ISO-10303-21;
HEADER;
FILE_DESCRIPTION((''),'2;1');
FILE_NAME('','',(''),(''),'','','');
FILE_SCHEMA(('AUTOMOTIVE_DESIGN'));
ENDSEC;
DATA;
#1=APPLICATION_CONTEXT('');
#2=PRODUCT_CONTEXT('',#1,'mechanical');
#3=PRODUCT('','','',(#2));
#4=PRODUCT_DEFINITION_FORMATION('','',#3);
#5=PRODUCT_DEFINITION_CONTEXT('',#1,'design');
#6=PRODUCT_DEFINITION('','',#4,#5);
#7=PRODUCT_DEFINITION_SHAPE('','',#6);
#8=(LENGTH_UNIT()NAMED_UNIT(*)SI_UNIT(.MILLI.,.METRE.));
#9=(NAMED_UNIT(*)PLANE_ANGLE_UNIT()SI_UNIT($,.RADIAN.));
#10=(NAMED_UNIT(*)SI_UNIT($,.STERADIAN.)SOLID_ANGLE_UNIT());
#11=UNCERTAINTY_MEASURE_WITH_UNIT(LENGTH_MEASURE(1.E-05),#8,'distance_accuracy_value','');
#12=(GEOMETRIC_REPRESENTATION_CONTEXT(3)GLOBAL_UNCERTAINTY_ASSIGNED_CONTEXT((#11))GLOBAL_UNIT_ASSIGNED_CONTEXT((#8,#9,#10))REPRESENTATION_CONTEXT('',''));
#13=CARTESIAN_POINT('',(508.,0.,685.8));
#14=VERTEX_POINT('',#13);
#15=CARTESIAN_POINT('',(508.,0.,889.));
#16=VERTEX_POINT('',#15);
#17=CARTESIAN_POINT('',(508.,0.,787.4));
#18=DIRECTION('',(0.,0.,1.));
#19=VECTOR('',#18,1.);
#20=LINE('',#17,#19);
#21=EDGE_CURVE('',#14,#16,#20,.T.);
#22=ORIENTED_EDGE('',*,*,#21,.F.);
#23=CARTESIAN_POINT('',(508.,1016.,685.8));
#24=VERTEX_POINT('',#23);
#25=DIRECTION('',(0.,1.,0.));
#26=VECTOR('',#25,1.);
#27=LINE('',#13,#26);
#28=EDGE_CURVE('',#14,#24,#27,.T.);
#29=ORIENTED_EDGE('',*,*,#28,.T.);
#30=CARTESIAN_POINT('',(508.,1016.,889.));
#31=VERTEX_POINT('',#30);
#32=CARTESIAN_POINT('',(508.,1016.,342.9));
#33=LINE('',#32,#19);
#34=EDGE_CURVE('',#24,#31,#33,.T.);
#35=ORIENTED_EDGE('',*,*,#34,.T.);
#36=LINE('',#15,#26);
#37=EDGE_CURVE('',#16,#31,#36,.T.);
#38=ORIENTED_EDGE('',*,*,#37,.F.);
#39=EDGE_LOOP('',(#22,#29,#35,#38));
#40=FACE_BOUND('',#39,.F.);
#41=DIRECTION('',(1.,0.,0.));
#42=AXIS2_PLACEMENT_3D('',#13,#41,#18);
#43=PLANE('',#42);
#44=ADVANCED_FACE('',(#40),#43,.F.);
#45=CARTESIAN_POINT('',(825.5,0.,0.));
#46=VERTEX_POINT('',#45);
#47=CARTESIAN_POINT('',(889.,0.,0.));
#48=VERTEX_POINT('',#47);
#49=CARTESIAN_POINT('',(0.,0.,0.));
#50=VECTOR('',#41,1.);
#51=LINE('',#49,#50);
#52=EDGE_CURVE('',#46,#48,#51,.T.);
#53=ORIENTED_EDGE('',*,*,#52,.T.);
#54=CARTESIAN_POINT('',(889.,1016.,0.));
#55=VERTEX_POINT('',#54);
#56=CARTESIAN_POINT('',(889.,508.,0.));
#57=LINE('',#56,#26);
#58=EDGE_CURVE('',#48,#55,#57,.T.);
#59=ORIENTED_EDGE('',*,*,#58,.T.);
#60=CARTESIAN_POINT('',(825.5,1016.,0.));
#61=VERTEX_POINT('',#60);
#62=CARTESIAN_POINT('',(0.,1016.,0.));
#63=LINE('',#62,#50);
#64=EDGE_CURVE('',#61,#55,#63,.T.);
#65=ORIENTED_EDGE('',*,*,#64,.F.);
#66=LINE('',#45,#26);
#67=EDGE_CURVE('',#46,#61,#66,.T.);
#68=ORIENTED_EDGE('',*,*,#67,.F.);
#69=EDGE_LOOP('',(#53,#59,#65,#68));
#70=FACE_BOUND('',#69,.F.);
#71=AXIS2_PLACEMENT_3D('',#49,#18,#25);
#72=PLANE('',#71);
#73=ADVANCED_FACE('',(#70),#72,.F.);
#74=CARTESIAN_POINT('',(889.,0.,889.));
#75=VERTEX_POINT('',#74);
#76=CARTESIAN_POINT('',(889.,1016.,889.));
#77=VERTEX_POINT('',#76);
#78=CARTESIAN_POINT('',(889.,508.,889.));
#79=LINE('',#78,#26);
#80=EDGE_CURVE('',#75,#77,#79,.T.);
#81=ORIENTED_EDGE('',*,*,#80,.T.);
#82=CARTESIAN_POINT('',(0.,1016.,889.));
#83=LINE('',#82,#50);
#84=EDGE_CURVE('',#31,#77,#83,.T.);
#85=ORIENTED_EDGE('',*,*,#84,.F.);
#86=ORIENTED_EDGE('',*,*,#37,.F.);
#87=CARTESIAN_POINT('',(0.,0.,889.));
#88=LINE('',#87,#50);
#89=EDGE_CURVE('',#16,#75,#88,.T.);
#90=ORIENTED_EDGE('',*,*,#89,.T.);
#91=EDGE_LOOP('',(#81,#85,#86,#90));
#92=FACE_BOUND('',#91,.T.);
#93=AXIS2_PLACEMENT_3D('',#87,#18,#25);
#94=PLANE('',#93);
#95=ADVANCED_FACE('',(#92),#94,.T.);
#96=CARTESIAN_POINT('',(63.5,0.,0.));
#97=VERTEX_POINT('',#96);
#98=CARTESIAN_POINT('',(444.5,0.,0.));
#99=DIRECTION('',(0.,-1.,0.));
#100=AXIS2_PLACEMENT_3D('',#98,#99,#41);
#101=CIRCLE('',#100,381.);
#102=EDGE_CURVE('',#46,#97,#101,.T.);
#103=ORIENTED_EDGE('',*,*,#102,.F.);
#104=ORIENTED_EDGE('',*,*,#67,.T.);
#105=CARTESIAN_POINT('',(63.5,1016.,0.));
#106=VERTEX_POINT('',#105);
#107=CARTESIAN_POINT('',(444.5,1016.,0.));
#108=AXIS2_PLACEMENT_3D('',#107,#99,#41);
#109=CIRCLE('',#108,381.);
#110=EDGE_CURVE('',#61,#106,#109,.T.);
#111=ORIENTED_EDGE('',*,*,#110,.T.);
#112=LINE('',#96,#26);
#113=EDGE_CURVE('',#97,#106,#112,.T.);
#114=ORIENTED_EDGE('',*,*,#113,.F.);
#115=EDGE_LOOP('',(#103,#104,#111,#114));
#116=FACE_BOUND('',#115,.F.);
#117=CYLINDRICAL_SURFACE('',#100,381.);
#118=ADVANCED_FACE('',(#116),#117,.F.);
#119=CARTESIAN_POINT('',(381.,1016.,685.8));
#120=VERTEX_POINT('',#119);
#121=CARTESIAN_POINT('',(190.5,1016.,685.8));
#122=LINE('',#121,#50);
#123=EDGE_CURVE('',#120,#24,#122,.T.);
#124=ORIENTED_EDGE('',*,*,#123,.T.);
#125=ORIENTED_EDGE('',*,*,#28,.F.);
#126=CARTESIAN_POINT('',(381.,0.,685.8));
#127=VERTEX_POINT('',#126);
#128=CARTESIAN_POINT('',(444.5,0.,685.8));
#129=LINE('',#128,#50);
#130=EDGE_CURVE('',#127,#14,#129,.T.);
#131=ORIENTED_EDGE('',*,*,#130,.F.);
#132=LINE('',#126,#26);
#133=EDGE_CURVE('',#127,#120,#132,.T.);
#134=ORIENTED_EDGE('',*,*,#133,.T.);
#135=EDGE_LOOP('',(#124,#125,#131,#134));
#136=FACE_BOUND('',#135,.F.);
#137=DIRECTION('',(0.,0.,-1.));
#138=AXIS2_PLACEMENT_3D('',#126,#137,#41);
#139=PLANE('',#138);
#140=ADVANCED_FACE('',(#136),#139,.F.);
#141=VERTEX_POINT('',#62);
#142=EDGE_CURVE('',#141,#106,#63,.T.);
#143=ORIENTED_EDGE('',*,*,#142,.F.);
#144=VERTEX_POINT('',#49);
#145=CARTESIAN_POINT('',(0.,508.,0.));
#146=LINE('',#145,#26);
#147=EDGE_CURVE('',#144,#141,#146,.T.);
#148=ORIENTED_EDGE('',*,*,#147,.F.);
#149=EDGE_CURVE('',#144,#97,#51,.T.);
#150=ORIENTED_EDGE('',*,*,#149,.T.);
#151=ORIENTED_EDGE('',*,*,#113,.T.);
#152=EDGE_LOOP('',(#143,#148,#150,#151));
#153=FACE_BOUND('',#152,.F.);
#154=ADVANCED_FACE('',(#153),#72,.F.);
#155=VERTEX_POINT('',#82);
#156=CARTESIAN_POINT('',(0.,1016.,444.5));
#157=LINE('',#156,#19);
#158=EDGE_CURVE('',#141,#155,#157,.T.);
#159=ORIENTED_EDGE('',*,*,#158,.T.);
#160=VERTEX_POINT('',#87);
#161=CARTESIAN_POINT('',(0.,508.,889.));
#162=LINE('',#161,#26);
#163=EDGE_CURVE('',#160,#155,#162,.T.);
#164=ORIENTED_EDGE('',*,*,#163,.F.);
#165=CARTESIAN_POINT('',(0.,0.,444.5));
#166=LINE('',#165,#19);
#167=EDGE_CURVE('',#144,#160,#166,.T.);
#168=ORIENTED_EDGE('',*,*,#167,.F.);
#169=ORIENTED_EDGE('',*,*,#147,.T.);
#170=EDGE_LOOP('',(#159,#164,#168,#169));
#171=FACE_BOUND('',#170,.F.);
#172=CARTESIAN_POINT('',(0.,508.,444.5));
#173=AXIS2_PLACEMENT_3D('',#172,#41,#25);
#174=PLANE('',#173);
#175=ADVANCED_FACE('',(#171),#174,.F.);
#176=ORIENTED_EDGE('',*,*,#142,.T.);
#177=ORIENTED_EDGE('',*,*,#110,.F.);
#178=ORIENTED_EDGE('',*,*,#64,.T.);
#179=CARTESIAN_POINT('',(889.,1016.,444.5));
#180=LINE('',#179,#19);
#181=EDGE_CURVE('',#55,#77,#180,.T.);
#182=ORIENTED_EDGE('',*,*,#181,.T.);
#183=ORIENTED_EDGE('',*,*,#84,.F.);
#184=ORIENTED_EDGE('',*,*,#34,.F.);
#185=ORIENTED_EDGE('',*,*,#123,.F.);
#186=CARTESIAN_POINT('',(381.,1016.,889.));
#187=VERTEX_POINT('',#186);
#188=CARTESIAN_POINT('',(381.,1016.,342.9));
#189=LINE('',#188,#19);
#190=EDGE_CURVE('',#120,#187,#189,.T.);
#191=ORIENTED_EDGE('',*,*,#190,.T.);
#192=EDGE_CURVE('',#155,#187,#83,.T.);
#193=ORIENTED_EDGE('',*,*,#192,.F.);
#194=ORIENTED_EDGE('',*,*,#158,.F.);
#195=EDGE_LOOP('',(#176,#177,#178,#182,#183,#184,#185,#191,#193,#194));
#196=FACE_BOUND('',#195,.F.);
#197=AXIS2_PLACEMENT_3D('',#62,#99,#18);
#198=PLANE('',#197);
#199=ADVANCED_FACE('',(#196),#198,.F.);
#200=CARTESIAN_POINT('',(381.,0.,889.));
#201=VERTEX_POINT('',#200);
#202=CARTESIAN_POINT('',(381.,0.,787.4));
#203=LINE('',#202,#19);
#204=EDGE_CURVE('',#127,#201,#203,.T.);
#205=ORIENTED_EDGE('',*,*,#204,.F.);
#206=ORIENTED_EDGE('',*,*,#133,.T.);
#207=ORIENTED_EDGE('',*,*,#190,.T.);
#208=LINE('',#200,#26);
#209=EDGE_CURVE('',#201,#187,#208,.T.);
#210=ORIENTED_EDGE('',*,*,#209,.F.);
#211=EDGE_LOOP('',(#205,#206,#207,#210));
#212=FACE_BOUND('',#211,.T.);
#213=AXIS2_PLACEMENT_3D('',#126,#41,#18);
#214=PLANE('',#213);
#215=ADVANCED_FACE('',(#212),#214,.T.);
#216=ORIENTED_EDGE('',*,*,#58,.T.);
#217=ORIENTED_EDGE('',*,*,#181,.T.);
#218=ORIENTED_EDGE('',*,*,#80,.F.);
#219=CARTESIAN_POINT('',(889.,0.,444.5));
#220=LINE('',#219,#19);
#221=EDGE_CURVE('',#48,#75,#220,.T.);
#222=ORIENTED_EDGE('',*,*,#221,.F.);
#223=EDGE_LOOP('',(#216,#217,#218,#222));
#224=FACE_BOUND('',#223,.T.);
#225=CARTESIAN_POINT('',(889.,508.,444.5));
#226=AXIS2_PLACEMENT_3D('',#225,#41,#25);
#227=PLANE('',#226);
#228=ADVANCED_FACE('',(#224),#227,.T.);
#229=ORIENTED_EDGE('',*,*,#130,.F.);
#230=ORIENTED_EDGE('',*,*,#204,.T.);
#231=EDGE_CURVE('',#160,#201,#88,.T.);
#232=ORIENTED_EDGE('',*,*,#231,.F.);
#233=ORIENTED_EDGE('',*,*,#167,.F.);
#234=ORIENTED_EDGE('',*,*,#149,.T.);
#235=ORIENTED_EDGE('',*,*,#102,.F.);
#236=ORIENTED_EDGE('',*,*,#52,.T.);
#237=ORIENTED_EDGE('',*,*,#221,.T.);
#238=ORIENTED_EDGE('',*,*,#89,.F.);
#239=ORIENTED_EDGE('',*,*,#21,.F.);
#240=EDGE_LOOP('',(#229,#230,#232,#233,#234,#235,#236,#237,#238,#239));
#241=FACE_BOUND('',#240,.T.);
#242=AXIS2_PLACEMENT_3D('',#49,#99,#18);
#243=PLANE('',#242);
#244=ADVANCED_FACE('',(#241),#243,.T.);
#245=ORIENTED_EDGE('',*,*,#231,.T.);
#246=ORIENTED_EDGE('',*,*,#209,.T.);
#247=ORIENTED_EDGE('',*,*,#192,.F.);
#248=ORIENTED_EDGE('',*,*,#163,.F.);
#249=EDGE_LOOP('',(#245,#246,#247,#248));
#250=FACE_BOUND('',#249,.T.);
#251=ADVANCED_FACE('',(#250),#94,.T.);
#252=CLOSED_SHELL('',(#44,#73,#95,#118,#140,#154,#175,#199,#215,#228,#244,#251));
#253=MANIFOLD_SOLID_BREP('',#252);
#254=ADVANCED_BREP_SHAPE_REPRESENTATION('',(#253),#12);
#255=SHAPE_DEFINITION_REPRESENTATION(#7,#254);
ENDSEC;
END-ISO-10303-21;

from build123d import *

# Parameters (mm, degrees)
F0_W     = 1016
F0_H     = 889
F1_DEPTH = 889
F2_W     = 127
F2_H     = 203.2
F3_DEPTH = 1016.001


with BuildPart() as f1:
    # F0 (on Right) → F1 (new body)
    with BuildSketch(Plane.YZ):
        with Locations((508, 444.5)):
            Rectangle(F0_W, F0_H)
    extrude(amount=F1_DEPTH)

    # F2 (on face) → F3 (cut, through all)
    with BuildSketch(Plane.XZ):
        with BuildLine():
            ThreePointArc((825.5, 0), (444.5, 381), (63.5, 0))
            Line((63.5, 0), (825.5, 0))
        make_face()
        with Locations((444.5, 787.4)):
            Rectangle(F2_W, F2_H)
    extrude(amount=-F3_DEPTH, mode=Mode.SUBTRACT)


solid = f1.part
